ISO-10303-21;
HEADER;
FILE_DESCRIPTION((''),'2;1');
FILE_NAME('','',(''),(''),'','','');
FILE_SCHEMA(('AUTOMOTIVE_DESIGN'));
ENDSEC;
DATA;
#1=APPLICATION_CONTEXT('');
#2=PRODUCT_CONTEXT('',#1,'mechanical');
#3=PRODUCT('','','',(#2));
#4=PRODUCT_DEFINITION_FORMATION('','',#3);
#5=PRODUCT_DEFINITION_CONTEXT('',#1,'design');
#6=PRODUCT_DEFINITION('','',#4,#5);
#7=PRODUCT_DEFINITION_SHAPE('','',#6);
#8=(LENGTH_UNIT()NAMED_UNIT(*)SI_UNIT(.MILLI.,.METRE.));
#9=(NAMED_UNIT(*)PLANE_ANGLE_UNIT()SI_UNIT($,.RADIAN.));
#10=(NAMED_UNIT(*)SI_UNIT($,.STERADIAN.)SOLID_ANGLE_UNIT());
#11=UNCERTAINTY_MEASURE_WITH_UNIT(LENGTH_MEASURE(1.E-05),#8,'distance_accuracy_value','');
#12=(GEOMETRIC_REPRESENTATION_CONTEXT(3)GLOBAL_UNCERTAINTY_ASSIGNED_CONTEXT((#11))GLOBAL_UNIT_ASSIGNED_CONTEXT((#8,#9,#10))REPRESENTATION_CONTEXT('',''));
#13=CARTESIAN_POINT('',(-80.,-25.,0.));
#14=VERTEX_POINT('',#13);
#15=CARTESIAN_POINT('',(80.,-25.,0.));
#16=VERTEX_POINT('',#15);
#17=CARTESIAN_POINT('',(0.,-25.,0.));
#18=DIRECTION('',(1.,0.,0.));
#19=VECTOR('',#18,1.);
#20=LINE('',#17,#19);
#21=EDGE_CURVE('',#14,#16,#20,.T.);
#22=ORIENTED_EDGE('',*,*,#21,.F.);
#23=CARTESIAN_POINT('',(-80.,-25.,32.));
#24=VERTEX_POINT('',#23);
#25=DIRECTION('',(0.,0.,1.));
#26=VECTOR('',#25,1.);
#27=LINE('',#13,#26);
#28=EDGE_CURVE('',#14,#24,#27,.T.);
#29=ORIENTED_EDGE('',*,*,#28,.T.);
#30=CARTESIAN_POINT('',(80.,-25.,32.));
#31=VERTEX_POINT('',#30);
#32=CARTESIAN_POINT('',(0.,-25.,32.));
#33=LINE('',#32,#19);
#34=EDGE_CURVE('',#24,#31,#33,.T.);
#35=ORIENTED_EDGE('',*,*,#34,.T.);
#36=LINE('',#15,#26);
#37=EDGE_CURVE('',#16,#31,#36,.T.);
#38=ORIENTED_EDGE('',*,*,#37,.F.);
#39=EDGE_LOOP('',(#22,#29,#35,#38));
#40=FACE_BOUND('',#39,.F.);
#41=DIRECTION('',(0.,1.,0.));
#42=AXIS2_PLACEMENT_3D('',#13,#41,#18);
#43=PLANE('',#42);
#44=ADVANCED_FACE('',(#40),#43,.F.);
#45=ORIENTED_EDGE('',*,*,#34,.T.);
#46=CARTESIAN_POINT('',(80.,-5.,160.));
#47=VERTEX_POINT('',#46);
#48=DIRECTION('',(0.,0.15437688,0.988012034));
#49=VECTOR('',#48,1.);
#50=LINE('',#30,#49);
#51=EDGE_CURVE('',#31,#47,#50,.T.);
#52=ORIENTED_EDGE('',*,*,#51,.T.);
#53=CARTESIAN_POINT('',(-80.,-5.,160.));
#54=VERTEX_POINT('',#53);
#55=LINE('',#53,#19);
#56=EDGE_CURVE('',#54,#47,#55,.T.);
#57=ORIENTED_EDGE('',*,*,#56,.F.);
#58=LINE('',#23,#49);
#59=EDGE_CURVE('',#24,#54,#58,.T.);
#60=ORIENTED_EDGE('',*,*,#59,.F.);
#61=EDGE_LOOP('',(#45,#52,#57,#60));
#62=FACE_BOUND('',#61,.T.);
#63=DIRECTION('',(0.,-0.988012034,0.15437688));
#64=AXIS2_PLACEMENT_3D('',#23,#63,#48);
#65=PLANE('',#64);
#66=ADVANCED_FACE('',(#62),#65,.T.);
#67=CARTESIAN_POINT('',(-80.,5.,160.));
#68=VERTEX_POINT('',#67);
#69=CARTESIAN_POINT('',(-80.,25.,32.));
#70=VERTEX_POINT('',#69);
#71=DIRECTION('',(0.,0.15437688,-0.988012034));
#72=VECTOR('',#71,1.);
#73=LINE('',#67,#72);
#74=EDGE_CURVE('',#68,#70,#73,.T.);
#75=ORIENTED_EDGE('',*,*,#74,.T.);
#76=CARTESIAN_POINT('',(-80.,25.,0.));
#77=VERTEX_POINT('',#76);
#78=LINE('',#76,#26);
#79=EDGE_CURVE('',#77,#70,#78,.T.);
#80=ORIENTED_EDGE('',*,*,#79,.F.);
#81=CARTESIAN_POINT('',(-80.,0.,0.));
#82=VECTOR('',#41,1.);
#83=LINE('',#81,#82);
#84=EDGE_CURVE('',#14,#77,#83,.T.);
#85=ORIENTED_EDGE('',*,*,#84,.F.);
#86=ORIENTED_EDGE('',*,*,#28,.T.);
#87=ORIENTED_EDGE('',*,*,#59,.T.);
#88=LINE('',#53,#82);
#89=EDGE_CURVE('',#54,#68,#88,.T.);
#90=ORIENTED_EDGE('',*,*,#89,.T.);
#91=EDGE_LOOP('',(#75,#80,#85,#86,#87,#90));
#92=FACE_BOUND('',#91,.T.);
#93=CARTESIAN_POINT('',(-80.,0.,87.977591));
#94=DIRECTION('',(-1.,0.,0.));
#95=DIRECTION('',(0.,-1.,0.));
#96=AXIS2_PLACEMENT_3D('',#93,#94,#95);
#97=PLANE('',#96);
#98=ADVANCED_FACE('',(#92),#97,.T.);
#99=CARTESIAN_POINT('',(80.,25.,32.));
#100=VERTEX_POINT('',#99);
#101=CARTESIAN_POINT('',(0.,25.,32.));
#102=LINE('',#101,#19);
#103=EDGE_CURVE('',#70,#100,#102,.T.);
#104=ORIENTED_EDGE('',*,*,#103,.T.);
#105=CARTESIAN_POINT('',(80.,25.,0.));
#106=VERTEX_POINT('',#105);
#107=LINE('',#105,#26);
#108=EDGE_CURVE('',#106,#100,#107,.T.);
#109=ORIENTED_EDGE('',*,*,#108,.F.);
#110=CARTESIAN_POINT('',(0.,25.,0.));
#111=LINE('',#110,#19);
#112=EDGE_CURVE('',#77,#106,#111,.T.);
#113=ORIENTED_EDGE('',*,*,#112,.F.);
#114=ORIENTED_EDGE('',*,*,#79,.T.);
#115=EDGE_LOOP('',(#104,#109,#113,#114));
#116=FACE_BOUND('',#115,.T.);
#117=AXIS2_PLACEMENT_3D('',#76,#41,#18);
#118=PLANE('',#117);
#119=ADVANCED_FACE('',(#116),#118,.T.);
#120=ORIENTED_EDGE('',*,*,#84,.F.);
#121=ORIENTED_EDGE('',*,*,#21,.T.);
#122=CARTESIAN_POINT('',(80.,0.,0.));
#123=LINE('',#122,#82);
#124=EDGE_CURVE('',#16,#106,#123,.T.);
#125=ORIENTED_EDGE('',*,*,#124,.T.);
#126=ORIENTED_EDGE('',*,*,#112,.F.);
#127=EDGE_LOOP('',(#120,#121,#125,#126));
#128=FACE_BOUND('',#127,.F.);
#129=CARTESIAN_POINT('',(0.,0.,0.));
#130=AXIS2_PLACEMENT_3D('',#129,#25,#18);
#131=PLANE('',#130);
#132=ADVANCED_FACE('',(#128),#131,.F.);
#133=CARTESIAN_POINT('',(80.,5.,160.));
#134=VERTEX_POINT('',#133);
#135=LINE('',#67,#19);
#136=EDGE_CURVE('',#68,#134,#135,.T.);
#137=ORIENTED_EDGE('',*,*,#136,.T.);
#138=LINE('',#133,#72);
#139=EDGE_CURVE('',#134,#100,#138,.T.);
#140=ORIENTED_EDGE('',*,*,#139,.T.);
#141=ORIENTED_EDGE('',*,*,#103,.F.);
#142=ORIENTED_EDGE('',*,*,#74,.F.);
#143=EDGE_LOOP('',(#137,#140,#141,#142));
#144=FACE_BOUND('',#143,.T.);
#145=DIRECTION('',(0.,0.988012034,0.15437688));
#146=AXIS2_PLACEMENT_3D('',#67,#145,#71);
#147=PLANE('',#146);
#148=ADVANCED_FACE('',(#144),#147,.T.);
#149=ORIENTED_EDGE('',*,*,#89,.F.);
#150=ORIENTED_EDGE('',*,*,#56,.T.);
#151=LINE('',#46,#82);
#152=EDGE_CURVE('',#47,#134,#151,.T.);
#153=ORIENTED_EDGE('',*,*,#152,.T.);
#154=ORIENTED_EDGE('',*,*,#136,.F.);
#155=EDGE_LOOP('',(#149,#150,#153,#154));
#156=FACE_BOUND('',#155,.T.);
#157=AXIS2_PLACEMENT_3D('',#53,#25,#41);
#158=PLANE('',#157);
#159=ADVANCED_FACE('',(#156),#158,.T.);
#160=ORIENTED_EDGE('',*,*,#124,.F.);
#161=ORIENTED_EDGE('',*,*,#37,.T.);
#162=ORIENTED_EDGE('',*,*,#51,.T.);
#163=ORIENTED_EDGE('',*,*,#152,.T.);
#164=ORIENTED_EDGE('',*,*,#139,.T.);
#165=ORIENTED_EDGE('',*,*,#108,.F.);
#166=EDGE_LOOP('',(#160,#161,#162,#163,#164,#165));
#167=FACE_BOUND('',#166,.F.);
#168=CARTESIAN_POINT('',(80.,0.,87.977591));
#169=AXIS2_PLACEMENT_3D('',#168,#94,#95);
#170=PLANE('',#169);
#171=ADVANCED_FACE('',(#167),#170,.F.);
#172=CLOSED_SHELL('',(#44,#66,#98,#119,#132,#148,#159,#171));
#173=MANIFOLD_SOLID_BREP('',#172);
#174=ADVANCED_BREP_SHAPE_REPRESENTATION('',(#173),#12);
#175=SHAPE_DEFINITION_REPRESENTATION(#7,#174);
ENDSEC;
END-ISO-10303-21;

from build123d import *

# Parameters (mm, degrees)
F0_W     = 160
F0_H     = 50
F1_DEPTH = 32
F3_DEPTH = 160


with BuildPart() as f1:
    # F0 (on Top) → F1 (new body)
    with BuildSketch(Plane.XY):
        Rectangle(F0_W, F0_H)
    extrude(amount=F1_DEPTH)

    # F2 (on face) → F3 (join)
    with BuildSketch(Plane(origin=(-80, 0, 0), x_dir=(0, -1, 0), z_dir=(-1, 0, 0))):
        Polygon((5, 160), (-5, 160), (-25, 32), (25, 32), align=None)
    extrude(amount=-F3_DEPTH)


solid = f1.part
